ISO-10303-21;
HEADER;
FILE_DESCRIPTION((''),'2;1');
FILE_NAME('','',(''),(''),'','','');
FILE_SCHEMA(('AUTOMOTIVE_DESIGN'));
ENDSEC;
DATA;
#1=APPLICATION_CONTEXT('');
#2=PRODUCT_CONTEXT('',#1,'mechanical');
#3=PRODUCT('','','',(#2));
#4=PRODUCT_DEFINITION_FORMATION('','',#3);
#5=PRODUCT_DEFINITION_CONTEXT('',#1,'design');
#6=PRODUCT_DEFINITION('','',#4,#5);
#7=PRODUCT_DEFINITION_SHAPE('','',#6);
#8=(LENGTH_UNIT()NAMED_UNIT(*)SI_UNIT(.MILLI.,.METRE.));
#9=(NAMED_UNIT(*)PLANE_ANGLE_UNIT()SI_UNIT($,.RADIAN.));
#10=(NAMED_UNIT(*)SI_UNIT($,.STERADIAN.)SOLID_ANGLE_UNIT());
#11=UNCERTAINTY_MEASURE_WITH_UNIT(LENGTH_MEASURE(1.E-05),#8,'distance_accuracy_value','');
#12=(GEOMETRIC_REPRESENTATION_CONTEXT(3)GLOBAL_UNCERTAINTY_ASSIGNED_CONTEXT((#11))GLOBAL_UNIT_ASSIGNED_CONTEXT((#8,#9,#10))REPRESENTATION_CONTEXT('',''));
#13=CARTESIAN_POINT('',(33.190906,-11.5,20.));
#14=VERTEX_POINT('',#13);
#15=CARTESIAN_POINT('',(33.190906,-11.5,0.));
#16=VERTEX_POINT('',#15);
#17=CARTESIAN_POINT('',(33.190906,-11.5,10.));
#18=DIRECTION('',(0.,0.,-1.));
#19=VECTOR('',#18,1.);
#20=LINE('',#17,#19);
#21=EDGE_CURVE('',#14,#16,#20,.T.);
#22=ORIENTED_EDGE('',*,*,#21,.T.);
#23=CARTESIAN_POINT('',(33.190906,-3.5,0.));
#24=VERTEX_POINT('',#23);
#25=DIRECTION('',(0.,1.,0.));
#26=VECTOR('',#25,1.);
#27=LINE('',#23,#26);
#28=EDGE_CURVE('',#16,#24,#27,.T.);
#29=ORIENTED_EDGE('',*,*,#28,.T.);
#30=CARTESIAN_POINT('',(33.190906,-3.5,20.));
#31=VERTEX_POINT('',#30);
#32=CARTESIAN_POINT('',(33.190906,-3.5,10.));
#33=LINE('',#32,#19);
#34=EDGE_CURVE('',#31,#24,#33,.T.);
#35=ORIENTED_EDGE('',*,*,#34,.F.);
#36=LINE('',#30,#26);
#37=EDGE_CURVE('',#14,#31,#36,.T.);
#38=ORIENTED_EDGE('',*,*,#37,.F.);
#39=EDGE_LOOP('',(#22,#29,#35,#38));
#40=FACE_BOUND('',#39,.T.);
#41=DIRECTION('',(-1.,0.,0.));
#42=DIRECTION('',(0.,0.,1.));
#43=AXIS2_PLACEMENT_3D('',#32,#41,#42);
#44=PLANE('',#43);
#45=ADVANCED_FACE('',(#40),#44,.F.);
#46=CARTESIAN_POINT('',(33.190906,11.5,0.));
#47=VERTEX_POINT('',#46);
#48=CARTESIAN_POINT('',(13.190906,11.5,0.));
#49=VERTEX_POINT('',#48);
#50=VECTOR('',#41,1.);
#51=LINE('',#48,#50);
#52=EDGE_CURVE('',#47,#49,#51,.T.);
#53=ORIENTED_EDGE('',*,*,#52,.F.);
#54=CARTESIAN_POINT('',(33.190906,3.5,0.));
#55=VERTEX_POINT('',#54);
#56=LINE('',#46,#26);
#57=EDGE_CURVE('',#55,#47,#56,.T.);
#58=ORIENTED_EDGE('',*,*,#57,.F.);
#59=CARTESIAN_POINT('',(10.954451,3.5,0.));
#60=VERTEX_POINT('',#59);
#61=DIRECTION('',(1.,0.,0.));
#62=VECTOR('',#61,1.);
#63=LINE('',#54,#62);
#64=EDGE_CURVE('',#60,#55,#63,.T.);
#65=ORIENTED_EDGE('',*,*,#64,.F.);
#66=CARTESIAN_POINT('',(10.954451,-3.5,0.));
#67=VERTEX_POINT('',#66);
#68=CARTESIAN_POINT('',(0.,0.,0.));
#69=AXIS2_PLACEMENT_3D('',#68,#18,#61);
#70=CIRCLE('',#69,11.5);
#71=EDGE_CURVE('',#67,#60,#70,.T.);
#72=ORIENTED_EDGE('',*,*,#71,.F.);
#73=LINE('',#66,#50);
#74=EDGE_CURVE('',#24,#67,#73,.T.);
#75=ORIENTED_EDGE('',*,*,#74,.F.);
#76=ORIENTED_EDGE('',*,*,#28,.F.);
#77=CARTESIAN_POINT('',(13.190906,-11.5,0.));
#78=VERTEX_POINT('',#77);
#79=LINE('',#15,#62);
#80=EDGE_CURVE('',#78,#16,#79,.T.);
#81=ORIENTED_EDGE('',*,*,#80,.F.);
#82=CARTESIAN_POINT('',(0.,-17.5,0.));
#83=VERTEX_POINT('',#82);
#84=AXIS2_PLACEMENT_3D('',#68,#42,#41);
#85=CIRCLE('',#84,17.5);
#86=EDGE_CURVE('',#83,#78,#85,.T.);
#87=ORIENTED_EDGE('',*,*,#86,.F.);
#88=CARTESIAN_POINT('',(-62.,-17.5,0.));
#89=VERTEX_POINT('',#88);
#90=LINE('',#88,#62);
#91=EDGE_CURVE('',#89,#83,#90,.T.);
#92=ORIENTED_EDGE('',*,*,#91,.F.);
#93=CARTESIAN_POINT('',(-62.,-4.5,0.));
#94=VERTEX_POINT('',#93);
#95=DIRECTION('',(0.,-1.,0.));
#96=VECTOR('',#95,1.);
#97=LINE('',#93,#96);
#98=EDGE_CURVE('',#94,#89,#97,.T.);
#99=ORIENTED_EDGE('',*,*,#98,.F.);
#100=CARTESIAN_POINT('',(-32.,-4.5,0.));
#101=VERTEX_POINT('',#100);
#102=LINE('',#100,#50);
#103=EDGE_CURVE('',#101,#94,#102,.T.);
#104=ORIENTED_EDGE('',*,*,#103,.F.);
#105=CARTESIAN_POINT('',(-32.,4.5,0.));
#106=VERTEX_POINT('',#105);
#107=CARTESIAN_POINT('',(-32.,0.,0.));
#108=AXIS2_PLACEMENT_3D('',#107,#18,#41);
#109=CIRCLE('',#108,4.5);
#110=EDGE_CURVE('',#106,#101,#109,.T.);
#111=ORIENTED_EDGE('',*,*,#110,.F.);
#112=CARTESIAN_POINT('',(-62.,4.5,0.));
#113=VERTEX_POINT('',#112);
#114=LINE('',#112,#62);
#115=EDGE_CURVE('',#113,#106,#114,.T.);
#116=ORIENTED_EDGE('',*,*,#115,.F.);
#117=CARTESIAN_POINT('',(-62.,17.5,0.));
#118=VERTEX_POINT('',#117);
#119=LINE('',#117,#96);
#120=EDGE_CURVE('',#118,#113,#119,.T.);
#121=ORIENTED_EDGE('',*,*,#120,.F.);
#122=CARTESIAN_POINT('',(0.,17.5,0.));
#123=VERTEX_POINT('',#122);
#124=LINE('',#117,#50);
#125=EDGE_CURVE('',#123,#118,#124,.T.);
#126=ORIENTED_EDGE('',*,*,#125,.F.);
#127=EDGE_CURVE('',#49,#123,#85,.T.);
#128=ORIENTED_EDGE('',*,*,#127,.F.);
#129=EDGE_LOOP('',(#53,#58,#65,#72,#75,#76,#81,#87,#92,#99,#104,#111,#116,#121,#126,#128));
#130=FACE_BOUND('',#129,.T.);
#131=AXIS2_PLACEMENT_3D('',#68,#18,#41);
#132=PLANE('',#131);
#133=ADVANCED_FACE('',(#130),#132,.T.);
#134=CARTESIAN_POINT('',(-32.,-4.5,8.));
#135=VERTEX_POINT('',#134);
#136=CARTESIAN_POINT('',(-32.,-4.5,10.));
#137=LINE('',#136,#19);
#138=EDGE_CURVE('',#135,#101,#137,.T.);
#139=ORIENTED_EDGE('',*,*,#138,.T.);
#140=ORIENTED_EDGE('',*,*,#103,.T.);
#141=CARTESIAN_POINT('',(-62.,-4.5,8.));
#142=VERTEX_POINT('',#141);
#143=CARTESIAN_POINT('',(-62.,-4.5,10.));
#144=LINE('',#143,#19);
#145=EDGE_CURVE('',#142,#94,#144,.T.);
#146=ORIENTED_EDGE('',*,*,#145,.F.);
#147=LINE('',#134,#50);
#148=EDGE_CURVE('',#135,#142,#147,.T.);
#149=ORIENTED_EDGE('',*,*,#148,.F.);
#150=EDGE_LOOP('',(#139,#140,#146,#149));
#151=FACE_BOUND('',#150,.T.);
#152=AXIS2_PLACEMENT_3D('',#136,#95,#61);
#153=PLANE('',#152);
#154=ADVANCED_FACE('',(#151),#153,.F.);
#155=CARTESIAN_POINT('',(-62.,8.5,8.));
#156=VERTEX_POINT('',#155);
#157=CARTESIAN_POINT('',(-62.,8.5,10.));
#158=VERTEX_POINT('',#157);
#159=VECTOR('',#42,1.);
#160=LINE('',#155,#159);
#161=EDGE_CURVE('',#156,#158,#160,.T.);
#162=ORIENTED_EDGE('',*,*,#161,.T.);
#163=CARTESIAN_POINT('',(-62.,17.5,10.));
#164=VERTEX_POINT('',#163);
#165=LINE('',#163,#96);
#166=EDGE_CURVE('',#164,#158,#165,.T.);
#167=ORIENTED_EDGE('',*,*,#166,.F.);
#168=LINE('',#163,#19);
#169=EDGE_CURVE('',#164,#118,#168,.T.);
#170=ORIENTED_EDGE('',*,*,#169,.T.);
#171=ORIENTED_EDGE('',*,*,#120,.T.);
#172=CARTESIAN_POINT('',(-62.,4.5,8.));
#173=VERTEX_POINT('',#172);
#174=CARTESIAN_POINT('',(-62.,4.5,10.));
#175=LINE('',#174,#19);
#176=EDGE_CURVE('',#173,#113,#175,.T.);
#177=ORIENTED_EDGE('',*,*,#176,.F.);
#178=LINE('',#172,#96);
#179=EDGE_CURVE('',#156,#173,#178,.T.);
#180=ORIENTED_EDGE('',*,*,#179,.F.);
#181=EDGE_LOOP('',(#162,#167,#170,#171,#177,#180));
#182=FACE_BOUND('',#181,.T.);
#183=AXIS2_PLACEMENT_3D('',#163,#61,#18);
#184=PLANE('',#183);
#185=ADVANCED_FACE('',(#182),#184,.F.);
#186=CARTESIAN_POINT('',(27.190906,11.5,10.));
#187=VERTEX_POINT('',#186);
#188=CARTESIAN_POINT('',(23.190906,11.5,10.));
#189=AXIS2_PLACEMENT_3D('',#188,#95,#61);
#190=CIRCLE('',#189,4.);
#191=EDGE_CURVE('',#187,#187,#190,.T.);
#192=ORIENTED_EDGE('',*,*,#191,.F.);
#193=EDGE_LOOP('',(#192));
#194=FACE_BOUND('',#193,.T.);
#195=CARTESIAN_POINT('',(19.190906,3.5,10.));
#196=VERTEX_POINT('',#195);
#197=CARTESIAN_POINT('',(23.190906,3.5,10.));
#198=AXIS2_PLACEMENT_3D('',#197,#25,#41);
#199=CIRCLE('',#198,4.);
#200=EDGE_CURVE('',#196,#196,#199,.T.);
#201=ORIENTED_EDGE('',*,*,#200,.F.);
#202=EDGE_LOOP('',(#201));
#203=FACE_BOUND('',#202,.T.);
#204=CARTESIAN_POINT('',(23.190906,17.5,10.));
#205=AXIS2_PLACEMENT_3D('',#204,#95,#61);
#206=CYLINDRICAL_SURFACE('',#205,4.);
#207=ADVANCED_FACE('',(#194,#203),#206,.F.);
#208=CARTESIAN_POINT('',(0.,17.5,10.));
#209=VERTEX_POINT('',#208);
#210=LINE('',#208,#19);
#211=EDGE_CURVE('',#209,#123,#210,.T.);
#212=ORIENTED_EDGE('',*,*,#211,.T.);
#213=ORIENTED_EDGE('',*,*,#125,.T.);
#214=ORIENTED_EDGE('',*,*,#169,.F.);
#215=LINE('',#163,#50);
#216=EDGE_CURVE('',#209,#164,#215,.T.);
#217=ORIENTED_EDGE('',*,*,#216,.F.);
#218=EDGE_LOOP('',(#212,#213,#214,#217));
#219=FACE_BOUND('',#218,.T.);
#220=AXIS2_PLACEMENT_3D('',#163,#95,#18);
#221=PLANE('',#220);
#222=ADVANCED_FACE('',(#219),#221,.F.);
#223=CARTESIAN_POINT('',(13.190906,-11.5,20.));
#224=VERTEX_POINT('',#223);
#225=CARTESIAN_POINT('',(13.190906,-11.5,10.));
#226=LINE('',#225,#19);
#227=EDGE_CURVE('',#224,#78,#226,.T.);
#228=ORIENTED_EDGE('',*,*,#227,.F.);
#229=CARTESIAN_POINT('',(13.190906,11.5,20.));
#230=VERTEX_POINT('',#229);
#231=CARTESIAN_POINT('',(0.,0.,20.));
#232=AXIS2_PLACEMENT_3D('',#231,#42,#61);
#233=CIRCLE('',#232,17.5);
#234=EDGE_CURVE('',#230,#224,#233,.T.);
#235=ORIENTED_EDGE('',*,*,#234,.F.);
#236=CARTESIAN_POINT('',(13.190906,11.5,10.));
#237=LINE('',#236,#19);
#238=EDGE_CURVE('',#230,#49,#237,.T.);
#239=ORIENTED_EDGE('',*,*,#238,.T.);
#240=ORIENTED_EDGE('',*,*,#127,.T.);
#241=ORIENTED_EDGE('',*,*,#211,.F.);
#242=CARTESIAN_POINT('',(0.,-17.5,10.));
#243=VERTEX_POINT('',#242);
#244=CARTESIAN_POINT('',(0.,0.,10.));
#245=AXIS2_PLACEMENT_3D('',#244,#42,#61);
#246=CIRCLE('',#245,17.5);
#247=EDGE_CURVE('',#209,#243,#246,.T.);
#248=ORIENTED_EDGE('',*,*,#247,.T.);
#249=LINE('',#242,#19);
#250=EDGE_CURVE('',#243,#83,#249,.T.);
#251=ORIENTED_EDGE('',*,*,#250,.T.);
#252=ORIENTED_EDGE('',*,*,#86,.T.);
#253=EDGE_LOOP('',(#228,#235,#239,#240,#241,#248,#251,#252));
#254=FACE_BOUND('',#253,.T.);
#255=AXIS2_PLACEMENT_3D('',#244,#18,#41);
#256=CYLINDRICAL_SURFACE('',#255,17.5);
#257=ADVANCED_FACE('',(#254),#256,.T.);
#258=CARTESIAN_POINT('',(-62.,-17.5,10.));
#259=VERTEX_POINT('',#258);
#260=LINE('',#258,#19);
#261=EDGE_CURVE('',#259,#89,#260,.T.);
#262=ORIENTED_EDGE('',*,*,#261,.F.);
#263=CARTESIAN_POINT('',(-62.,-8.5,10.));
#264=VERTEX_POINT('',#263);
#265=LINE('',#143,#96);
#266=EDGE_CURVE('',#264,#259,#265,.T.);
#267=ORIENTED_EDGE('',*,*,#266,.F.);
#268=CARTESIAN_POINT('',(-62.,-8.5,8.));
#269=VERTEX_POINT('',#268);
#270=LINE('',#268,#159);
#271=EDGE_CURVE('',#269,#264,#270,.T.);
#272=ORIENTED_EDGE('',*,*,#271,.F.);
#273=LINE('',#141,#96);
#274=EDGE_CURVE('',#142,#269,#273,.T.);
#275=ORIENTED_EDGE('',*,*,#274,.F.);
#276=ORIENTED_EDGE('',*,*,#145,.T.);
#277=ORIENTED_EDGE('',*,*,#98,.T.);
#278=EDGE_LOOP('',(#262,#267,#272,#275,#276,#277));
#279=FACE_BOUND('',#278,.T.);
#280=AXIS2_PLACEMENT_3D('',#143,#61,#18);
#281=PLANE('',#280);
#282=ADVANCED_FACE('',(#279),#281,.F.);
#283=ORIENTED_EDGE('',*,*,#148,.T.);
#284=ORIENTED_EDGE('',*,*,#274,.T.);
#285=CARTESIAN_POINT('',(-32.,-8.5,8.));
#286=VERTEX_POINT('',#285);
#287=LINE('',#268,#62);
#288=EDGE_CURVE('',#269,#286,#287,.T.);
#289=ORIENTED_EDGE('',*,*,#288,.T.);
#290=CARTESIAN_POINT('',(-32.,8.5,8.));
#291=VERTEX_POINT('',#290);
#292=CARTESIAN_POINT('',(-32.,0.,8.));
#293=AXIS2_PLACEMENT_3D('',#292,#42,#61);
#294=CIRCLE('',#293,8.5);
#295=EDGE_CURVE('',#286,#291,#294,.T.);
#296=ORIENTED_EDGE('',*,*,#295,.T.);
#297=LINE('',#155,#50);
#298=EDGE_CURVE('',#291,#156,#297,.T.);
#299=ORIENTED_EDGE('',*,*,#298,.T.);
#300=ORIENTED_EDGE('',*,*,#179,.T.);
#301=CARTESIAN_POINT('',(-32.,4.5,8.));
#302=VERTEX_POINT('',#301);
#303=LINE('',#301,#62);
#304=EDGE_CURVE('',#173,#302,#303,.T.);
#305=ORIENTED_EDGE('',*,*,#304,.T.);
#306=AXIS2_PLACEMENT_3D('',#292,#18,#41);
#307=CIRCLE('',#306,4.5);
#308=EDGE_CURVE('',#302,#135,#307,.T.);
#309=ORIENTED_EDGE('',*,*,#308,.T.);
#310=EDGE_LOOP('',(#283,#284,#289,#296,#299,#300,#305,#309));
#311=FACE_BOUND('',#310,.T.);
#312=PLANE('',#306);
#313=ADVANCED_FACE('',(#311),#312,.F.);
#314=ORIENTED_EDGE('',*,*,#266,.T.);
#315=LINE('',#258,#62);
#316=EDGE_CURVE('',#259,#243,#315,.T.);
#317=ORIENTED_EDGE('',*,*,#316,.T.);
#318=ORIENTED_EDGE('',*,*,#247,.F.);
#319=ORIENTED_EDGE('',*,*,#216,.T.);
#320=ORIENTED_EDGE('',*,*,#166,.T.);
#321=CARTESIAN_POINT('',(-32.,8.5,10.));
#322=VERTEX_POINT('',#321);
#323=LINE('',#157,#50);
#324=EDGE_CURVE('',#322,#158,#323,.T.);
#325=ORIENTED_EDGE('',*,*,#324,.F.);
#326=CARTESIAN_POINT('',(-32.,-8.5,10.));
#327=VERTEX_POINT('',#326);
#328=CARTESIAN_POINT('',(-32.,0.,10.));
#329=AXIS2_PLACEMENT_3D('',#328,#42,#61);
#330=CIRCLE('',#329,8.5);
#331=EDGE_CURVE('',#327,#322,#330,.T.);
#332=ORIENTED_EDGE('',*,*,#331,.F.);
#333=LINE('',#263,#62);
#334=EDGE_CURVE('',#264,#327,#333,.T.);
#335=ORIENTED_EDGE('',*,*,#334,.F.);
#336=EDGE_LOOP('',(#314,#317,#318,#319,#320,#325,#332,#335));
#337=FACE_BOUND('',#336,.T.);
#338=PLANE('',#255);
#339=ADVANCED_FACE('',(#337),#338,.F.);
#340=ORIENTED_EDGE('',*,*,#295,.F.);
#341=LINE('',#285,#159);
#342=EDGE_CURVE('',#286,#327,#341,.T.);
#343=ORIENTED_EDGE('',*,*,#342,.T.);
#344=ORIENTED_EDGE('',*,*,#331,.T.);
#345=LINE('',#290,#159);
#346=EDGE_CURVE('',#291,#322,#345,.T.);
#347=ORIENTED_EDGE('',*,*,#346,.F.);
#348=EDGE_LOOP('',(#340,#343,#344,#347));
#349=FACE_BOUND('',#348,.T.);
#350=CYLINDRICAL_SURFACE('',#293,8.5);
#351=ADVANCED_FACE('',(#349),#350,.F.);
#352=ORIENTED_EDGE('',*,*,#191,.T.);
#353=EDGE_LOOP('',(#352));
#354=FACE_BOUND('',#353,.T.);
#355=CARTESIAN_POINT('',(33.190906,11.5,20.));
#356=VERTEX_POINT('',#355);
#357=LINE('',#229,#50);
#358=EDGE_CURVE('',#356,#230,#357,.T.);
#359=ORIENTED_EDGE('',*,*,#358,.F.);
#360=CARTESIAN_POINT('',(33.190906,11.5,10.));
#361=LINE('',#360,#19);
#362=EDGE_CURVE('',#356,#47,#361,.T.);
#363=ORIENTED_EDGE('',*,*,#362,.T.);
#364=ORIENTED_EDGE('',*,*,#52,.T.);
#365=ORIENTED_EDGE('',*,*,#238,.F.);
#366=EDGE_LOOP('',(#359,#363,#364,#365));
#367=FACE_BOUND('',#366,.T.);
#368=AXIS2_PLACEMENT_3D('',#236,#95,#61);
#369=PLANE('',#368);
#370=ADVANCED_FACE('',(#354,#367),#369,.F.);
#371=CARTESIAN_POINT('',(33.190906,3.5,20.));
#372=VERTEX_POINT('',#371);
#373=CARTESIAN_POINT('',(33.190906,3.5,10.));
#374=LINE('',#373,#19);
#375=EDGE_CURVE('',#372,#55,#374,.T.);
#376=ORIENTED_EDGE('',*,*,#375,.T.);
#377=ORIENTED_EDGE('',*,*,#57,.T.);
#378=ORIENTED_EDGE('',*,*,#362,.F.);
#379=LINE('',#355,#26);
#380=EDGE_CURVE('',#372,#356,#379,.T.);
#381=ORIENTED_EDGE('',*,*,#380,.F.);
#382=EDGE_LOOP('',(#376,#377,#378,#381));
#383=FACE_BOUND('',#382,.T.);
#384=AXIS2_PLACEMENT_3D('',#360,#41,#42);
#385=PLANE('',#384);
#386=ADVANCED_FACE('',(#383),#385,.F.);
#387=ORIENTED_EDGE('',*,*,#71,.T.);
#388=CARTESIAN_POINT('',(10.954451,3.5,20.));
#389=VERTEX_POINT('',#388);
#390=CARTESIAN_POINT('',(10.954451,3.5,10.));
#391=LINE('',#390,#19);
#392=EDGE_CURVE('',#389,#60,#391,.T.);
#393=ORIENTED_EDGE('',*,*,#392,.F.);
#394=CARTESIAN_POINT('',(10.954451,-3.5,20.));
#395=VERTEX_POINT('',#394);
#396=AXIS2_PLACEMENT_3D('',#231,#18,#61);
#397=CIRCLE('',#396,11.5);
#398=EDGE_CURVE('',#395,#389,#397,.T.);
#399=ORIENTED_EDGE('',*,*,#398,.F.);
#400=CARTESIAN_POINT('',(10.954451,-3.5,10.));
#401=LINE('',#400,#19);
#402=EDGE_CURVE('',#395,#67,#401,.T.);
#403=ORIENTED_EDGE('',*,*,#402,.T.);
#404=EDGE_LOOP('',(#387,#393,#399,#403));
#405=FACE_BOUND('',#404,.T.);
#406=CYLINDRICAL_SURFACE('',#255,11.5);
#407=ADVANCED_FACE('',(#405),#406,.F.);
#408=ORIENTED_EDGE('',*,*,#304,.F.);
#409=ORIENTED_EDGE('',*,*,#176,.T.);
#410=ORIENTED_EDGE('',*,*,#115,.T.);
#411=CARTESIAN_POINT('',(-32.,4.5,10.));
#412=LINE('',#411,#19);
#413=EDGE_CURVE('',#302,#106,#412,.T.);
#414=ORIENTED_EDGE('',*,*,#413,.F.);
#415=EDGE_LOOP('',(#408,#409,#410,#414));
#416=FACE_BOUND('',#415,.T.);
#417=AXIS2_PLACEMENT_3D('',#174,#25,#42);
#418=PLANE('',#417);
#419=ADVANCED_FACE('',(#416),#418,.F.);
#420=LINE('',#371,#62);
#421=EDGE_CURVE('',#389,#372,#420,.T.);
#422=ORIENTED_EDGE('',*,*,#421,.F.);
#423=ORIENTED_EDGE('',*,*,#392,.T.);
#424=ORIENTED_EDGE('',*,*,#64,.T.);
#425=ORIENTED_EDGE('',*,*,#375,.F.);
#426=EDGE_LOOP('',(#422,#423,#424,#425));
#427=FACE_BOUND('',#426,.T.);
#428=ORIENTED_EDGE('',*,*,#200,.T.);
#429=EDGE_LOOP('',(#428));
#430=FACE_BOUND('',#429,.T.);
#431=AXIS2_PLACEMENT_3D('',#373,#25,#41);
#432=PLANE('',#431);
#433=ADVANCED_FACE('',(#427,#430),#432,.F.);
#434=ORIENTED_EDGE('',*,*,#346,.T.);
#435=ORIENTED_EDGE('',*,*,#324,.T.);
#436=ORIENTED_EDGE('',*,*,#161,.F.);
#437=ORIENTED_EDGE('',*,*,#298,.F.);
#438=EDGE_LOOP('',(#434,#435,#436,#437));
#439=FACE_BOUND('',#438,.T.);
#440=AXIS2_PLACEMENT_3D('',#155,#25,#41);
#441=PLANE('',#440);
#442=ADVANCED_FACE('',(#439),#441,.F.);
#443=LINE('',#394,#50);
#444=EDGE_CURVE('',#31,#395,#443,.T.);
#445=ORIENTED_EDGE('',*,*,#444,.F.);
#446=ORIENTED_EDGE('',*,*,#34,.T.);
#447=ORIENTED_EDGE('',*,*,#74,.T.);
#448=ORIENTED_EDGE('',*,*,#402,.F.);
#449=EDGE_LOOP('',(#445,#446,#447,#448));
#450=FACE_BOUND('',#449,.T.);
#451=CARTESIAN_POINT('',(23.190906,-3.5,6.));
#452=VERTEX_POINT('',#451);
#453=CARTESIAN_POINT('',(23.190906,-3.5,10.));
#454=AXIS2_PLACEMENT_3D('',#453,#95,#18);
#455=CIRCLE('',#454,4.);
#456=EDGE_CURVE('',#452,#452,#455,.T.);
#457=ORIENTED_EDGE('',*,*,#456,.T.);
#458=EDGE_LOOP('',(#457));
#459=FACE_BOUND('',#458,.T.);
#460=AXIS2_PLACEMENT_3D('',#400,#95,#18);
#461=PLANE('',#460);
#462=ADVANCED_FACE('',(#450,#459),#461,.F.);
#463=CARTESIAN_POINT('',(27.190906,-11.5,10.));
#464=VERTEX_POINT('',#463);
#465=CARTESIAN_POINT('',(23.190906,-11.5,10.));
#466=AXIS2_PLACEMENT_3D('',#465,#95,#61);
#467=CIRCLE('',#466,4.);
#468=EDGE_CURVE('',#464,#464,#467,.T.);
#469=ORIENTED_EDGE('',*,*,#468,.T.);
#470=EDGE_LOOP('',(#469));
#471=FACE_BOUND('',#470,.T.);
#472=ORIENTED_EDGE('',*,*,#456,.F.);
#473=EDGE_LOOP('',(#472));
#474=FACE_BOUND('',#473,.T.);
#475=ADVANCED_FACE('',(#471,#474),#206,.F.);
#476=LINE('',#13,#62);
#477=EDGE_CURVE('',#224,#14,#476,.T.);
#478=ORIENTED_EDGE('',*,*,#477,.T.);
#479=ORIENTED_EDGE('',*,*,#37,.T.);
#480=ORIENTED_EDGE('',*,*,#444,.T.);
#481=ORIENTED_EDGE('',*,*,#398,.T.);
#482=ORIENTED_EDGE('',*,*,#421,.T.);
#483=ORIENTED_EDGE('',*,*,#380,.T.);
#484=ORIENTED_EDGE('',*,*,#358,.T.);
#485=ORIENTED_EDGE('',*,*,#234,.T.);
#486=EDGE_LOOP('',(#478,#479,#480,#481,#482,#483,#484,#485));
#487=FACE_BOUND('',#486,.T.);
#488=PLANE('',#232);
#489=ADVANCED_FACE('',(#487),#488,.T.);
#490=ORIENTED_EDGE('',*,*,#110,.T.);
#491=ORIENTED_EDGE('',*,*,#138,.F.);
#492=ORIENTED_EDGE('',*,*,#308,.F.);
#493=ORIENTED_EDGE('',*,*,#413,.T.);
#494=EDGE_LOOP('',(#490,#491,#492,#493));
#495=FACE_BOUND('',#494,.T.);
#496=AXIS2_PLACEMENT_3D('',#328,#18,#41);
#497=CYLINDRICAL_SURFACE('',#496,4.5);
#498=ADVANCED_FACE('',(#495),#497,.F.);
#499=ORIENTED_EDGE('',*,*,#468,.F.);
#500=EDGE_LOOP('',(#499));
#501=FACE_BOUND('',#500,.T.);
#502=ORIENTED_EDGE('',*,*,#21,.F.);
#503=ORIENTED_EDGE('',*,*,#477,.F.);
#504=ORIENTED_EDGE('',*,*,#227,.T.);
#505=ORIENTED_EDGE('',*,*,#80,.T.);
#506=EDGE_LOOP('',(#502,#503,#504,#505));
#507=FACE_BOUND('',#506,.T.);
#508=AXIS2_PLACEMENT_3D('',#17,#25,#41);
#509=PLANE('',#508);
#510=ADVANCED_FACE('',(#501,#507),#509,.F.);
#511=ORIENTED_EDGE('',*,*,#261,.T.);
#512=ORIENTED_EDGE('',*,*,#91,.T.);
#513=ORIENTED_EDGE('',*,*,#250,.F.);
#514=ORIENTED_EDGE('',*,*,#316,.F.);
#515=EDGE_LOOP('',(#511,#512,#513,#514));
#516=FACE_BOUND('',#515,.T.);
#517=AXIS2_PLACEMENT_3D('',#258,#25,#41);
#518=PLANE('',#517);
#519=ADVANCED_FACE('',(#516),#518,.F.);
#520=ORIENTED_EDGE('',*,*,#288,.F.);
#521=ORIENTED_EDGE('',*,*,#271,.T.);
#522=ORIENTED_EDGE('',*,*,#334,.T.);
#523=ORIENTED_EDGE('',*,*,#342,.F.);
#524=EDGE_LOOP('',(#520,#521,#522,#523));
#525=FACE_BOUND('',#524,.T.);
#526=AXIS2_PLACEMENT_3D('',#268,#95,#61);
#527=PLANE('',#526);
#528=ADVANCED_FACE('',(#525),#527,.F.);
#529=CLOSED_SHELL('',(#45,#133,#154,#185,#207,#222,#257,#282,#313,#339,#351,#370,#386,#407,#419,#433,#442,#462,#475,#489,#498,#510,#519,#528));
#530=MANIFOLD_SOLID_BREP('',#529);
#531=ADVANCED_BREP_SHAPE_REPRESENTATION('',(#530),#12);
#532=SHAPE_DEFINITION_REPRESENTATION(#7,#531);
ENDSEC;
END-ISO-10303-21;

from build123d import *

# Parameters (mm, degrees)
BOSS_EXTRU_1_DEPTH      = 10
BOSS_EXTRU_2_DEPTH      = 10
ENL_V_START             = -2
ENL_V_MAT_EXTRU_1_DEPTH = 2
ESQUISSE4_R             = 4
ENL_V_MAT_EXTRU_2_DEPTH = 72.309185944


with BuildPart() as part:
    # Esquisse1 → Boss.-Extru.1 (new body)
    with BuildSketch(Plane.XY):
        with BuildLine():
            Line((-62, 17.5), (-62, 4.5))
            Line((-62, 4.5), (-32, 4.5))
            ThreePointArc((-32, 4.5), (-27.5, 0), (-32, -4.5))
            Line((-32, -4.5), (-62, -4.5))
            Line((-62, -4.5), (-62, -17.5))
            Line((-62, -17.5), (0, -17.5))
            ThreePointArc((0, -17.5), (7.245688373, -15.929532322), (13.190905958, -11.5))
            Line((13.190905958, -11.5), (33.190905958, -11.5))
            Line((33.190905958, -11.5), (33.190905958, -3.5))
            Line((33.190905958, -3.5), (10.95445115, -3.5))
            ThreePointArc((10.95445115, -3.5), (-11.5, 0), (10.95445115, 3.5))
            Line((10.95445115, 3.5), (33.190905958, 3.5))
            Line((33.190905958, 3.5), (33.190905958, 11.5))
            Line((33.190905958, 11.5), (13.190905958, 11.5))
            ThreePointArc((13.190905958, 11.5), (7.245688373, 15.929532322), (0, 17.5))
            Line((0, 17.5), (-62, 17.5))
        make_face()
    extrude(amount=BOSS_EXTRU_1_DEPTH)

    # Esquisse2 → Boss.-Extru.2 (add)
    with BuildSketch(Plane.XY.offset(10)):
        with BuildLine():
            Line((13.190905958, 11.5), (33.190905958, 11.5))
            Line((33.190905958, 11.5), (33.190905958, 3.5))
            Line((33.190905958, 3.5), (10.95445115, 3.5))
            ThreePointArc((10.95445115, 3.5), (-11.5, 0), (10.95445115, -3.5))
            Line((10.95445115, -3.5), (33.190905958, -3.5))
            Line((33.190905958, -3.5), (33.190905958, -11.5))
            Line((33.190905958, -11.5), (13.190905958, -11.5))
            ThreePointArc((13.190905958, -11.5), (-17.5, 0), (13.190905958, 11.5))
        make_face()
    extrude(amount=BOSS_EXTRU_2_DEPTH)

    # Esquisse3 → Enlèv. mat.-Extru.1 (cut)
    with BuildSketch(Plane.XY.offset(10).offset(ENL_V_START)):
        with BuildLine():
            Line((-32, 4.5), (-62, 4.5))
            Line((-62, 4.5), (-62, 8.5))
            Line((-62, 8.5), (-32, 8.5))
            ThreePointArc((-32, 8.5), (-23.5, 0), (-32, -8.5))
            Line((-32, -8.5), (-62, -8.5))
            Line((-62, -8.5), (-62, -4.5))
            Line((-62, -4.5), (-32, -4.5))
            ThreePointArc((-32, -4.5), (-27.5, 0), (-32, 4.5))
        make_face()
    extrude(amount=ENL_V_MAT_EXTRU_1_DEPTH, mode=Mode.SUBTRACT)

    # Esquisse4 → Enlèv. mat.-Extru.2 (cut, through all)
    with BuildSketch(Plane.XZ.offset(11.5)):
        with Locations((23.190905958, 10)):
            Circle(ESQUISSE4_R)
    extrude(amount=-ENL_V_MAT_EXTRU_2_DEPTH, mode=Mode.SUBTRACT)


solid = part.part
